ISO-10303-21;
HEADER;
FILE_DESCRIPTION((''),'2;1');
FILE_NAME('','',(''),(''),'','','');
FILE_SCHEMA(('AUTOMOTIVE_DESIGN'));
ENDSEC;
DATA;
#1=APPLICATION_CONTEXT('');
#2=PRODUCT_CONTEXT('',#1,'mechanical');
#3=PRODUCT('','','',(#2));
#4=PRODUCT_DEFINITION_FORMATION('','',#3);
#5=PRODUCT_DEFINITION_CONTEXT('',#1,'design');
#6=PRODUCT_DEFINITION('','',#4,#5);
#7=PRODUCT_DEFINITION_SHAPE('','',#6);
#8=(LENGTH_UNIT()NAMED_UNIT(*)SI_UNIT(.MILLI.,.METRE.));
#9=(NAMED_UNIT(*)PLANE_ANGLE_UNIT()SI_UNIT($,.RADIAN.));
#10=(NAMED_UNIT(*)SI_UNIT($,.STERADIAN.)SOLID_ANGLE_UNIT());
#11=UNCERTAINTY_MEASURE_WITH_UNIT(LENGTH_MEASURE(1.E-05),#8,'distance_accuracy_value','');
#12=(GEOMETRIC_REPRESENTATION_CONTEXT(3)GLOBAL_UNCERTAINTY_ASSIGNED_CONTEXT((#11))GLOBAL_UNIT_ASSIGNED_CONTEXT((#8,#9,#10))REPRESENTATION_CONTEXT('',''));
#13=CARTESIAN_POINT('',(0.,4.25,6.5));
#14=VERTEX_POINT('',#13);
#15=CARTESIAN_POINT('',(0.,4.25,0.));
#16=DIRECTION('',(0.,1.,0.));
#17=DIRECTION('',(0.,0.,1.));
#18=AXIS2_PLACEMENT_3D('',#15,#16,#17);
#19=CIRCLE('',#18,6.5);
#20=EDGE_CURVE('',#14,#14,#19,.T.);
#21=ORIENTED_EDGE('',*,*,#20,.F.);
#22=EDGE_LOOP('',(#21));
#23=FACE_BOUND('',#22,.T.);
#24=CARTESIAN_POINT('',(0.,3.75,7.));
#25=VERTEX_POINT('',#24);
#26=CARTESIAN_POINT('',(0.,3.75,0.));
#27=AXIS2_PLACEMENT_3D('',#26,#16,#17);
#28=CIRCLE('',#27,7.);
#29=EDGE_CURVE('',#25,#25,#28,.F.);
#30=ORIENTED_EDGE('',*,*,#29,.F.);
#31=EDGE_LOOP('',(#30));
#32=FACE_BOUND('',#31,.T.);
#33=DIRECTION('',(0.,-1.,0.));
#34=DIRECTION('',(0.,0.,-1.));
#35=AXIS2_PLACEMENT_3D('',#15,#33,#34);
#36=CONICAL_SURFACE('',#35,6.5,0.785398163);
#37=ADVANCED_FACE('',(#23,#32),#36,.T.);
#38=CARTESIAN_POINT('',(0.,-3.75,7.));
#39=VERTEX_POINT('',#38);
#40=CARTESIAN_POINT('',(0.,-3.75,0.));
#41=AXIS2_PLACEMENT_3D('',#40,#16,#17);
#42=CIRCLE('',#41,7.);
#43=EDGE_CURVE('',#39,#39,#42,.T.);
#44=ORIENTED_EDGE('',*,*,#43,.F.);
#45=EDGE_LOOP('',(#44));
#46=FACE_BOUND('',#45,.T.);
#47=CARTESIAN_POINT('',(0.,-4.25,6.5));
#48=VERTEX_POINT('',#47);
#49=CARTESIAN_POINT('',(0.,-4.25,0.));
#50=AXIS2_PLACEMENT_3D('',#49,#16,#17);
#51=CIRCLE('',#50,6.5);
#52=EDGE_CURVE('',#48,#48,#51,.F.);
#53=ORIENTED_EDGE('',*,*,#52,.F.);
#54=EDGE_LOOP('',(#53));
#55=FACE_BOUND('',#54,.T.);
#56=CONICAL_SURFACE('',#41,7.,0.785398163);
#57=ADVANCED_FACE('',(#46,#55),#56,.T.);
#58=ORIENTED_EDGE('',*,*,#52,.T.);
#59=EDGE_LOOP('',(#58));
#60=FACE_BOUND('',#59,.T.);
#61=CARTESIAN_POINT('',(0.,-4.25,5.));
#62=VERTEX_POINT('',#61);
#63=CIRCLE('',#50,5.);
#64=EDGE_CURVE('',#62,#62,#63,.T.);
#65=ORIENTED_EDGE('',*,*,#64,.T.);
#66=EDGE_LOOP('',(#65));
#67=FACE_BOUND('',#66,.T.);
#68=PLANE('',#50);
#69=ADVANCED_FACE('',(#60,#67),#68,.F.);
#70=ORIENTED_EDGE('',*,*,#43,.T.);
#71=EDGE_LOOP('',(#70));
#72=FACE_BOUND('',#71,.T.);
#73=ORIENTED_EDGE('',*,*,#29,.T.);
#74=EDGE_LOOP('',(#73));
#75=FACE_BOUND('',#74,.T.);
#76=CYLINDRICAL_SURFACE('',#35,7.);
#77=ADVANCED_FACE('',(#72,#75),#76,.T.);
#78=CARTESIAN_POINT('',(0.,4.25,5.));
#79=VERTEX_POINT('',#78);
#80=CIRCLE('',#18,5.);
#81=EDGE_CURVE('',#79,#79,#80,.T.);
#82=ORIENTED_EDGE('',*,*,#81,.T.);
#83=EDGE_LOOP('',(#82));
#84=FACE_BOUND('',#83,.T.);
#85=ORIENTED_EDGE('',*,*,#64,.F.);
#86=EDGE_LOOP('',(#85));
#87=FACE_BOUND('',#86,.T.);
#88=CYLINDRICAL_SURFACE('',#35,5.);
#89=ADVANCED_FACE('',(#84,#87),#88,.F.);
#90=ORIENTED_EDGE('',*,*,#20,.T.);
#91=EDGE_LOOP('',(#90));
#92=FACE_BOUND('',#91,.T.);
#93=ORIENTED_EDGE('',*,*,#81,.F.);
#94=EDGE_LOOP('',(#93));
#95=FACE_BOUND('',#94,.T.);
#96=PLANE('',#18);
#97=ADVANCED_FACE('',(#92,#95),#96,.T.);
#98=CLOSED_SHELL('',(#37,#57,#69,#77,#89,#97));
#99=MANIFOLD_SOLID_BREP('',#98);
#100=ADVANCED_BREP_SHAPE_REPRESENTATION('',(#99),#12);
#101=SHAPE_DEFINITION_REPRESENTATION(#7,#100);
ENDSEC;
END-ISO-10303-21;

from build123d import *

# Parameters (mm, degrees)
SKETCH_1_R      = 7
SKETCH_1_R_2    = 5
EXTRUDE_1_DEPTH = 4.25
CHAMFER_1_SIZE  = 0.5


with BuildPart() as part:
    # 草图1 → 凸台-拉伸1 (new, symmetric)
    with BuildSketch(Plane(origin=(0, 0, 0), x_dir=(1, 0, 0), z_dir=(0, 1, 0))):
        with Locations(Location((0, 0, 0), (0, 0, 270))):
            Circle(SKETCH_1_R)
        with Locations(Location((0, 0, 0), (0, 0, 270))):
            Circle(SKETCH_1_R_2, mode=Mode.SUBTRACT)
    extrude(amount=EXTRUDE_1_DEPTH, both=True)

    # 倒角1
    chamfer_1_edges = [part.edges().sort_by_distance(p)[0] for p in [
        (0, -4.25, -7),
        (0, 4.25, -7),
    ]]
    chamfer(chamfer_1_edges, length=CHAMFER_1_SIZE)


solid = part.part
